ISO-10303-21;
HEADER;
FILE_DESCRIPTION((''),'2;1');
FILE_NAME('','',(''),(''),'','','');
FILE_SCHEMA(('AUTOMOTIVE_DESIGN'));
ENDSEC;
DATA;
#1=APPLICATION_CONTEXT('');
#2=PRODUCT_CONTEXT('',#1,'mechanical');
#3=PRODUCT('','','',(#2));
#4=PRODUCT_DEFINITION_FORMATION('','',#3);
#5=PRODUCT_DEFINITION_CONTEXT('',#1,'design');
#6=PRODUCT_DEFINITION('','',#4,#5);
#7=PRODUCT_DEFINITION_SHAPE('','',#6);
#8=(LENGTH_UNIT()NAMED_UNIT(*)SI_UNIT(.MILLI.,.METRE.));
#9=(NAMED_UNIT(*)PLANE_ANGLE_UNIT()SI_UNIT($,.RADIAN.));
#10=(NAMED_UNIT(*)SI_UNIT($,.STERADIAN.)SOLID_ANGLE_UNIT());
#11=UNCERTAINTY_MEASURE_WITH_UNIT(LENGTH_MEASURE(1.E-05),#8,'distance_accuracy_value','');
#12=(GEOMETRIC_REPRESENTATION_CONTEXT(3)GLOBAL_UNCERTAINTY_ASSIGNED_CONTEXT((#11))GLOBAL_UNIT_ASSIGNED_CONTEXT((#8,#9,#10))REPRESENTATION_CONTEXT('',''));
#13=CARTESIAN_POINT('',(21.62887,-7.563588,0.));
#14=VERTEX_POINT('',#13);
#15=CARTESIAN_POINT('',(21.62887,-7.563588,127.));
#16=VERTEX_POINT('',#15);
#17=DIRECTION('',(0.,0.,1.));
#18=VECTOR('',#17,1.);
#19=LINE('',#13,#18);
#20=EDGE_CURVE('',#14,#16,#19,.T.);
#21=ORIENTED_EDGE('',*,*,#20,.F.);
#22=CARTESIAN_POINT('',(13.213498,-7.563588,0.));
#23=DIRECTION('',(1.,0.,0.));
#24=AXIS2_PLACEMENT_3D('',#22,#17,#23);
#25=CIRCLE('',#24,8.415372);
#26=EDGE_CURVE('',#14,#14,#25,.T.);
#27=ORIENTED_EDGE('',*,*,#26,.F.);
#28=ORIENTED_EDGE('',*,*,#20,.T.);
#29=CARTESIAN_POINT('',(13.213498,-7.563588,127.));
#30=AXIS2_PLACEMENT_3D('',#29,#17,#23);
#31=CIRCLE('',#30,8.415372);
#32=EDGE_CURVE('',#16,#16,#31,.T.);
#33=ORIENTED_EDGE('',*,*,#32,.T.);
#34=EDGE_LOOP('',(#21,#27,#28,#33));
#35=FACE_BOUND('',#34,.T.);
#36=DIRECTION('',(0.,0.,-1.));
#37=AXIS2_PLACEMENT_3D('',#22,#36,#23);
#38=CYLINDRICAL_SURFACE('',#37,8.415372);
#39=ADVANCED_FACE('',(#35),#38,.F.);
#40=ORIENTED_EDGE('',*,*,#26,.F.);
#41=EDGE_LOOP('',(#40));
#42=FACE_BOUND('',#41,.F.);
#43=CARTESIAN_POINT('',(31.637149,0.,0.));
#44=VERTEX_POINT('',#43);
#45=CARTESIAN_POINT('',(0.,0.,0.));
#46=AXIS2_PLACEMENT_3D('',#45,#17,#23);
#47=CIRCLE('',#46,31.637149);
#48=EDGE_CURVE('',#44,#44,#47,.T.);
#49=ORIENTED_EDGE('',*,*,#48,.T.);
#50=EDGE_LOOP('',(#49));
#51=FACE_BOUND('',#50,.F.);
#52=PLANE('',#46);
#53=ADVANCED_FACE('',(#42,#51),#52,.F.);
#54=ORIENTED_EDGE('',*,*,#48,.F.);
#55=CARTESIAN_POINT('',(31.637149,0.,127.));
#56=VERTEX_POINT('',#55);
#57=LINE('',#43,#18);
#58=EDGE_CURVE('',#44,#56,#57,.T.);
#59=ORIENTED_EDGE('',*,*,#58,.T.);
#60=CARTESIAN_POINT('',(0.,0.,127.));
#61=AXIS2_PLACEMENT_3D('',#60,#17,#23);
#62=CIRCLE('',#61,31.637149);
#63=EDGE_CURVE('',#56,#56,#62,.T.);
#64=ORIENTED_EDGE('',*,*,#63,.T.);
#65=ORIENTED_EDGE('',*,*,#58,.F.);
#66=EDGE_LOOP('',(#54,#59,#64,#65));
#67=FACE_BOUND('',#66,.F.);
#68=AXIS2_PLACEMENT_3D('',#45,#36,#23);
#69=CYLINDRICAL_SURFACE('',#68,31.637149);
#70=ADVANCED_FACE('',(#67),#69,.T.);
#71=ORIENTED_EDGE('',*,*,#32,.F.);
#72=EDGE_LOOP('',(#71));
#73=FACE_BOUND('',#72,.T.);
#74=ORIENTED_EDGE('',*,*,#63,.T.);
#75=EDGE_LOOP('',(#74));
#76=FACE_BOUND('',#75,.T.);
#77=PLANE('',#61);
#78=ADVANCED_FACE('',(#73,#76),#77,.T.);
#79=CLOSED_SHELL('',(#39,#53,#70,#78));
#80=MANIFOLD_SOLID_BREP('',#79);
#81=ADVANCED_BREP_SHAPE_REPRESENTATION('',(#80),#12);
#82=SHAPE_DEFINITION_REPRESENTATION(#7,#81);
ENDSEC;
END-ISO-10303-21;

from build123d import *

# Parameters (mm, degrees)
F0_R     = 31.637149
F0_R_2   = 8.415372
F1_DEPTH = 127


with BuildPart() as f1:
    # F0 (on Top) → F1 (new body)
    with BuildSketch(Plane.XY):
        Circle(F0_R)
        with Locations((13.213498, -7.563588)):
            Circle(F0_R_2, mode=Mode.SUBTRACT)
    extrude(amount=F1_DEPTH)


solid = f1.part
